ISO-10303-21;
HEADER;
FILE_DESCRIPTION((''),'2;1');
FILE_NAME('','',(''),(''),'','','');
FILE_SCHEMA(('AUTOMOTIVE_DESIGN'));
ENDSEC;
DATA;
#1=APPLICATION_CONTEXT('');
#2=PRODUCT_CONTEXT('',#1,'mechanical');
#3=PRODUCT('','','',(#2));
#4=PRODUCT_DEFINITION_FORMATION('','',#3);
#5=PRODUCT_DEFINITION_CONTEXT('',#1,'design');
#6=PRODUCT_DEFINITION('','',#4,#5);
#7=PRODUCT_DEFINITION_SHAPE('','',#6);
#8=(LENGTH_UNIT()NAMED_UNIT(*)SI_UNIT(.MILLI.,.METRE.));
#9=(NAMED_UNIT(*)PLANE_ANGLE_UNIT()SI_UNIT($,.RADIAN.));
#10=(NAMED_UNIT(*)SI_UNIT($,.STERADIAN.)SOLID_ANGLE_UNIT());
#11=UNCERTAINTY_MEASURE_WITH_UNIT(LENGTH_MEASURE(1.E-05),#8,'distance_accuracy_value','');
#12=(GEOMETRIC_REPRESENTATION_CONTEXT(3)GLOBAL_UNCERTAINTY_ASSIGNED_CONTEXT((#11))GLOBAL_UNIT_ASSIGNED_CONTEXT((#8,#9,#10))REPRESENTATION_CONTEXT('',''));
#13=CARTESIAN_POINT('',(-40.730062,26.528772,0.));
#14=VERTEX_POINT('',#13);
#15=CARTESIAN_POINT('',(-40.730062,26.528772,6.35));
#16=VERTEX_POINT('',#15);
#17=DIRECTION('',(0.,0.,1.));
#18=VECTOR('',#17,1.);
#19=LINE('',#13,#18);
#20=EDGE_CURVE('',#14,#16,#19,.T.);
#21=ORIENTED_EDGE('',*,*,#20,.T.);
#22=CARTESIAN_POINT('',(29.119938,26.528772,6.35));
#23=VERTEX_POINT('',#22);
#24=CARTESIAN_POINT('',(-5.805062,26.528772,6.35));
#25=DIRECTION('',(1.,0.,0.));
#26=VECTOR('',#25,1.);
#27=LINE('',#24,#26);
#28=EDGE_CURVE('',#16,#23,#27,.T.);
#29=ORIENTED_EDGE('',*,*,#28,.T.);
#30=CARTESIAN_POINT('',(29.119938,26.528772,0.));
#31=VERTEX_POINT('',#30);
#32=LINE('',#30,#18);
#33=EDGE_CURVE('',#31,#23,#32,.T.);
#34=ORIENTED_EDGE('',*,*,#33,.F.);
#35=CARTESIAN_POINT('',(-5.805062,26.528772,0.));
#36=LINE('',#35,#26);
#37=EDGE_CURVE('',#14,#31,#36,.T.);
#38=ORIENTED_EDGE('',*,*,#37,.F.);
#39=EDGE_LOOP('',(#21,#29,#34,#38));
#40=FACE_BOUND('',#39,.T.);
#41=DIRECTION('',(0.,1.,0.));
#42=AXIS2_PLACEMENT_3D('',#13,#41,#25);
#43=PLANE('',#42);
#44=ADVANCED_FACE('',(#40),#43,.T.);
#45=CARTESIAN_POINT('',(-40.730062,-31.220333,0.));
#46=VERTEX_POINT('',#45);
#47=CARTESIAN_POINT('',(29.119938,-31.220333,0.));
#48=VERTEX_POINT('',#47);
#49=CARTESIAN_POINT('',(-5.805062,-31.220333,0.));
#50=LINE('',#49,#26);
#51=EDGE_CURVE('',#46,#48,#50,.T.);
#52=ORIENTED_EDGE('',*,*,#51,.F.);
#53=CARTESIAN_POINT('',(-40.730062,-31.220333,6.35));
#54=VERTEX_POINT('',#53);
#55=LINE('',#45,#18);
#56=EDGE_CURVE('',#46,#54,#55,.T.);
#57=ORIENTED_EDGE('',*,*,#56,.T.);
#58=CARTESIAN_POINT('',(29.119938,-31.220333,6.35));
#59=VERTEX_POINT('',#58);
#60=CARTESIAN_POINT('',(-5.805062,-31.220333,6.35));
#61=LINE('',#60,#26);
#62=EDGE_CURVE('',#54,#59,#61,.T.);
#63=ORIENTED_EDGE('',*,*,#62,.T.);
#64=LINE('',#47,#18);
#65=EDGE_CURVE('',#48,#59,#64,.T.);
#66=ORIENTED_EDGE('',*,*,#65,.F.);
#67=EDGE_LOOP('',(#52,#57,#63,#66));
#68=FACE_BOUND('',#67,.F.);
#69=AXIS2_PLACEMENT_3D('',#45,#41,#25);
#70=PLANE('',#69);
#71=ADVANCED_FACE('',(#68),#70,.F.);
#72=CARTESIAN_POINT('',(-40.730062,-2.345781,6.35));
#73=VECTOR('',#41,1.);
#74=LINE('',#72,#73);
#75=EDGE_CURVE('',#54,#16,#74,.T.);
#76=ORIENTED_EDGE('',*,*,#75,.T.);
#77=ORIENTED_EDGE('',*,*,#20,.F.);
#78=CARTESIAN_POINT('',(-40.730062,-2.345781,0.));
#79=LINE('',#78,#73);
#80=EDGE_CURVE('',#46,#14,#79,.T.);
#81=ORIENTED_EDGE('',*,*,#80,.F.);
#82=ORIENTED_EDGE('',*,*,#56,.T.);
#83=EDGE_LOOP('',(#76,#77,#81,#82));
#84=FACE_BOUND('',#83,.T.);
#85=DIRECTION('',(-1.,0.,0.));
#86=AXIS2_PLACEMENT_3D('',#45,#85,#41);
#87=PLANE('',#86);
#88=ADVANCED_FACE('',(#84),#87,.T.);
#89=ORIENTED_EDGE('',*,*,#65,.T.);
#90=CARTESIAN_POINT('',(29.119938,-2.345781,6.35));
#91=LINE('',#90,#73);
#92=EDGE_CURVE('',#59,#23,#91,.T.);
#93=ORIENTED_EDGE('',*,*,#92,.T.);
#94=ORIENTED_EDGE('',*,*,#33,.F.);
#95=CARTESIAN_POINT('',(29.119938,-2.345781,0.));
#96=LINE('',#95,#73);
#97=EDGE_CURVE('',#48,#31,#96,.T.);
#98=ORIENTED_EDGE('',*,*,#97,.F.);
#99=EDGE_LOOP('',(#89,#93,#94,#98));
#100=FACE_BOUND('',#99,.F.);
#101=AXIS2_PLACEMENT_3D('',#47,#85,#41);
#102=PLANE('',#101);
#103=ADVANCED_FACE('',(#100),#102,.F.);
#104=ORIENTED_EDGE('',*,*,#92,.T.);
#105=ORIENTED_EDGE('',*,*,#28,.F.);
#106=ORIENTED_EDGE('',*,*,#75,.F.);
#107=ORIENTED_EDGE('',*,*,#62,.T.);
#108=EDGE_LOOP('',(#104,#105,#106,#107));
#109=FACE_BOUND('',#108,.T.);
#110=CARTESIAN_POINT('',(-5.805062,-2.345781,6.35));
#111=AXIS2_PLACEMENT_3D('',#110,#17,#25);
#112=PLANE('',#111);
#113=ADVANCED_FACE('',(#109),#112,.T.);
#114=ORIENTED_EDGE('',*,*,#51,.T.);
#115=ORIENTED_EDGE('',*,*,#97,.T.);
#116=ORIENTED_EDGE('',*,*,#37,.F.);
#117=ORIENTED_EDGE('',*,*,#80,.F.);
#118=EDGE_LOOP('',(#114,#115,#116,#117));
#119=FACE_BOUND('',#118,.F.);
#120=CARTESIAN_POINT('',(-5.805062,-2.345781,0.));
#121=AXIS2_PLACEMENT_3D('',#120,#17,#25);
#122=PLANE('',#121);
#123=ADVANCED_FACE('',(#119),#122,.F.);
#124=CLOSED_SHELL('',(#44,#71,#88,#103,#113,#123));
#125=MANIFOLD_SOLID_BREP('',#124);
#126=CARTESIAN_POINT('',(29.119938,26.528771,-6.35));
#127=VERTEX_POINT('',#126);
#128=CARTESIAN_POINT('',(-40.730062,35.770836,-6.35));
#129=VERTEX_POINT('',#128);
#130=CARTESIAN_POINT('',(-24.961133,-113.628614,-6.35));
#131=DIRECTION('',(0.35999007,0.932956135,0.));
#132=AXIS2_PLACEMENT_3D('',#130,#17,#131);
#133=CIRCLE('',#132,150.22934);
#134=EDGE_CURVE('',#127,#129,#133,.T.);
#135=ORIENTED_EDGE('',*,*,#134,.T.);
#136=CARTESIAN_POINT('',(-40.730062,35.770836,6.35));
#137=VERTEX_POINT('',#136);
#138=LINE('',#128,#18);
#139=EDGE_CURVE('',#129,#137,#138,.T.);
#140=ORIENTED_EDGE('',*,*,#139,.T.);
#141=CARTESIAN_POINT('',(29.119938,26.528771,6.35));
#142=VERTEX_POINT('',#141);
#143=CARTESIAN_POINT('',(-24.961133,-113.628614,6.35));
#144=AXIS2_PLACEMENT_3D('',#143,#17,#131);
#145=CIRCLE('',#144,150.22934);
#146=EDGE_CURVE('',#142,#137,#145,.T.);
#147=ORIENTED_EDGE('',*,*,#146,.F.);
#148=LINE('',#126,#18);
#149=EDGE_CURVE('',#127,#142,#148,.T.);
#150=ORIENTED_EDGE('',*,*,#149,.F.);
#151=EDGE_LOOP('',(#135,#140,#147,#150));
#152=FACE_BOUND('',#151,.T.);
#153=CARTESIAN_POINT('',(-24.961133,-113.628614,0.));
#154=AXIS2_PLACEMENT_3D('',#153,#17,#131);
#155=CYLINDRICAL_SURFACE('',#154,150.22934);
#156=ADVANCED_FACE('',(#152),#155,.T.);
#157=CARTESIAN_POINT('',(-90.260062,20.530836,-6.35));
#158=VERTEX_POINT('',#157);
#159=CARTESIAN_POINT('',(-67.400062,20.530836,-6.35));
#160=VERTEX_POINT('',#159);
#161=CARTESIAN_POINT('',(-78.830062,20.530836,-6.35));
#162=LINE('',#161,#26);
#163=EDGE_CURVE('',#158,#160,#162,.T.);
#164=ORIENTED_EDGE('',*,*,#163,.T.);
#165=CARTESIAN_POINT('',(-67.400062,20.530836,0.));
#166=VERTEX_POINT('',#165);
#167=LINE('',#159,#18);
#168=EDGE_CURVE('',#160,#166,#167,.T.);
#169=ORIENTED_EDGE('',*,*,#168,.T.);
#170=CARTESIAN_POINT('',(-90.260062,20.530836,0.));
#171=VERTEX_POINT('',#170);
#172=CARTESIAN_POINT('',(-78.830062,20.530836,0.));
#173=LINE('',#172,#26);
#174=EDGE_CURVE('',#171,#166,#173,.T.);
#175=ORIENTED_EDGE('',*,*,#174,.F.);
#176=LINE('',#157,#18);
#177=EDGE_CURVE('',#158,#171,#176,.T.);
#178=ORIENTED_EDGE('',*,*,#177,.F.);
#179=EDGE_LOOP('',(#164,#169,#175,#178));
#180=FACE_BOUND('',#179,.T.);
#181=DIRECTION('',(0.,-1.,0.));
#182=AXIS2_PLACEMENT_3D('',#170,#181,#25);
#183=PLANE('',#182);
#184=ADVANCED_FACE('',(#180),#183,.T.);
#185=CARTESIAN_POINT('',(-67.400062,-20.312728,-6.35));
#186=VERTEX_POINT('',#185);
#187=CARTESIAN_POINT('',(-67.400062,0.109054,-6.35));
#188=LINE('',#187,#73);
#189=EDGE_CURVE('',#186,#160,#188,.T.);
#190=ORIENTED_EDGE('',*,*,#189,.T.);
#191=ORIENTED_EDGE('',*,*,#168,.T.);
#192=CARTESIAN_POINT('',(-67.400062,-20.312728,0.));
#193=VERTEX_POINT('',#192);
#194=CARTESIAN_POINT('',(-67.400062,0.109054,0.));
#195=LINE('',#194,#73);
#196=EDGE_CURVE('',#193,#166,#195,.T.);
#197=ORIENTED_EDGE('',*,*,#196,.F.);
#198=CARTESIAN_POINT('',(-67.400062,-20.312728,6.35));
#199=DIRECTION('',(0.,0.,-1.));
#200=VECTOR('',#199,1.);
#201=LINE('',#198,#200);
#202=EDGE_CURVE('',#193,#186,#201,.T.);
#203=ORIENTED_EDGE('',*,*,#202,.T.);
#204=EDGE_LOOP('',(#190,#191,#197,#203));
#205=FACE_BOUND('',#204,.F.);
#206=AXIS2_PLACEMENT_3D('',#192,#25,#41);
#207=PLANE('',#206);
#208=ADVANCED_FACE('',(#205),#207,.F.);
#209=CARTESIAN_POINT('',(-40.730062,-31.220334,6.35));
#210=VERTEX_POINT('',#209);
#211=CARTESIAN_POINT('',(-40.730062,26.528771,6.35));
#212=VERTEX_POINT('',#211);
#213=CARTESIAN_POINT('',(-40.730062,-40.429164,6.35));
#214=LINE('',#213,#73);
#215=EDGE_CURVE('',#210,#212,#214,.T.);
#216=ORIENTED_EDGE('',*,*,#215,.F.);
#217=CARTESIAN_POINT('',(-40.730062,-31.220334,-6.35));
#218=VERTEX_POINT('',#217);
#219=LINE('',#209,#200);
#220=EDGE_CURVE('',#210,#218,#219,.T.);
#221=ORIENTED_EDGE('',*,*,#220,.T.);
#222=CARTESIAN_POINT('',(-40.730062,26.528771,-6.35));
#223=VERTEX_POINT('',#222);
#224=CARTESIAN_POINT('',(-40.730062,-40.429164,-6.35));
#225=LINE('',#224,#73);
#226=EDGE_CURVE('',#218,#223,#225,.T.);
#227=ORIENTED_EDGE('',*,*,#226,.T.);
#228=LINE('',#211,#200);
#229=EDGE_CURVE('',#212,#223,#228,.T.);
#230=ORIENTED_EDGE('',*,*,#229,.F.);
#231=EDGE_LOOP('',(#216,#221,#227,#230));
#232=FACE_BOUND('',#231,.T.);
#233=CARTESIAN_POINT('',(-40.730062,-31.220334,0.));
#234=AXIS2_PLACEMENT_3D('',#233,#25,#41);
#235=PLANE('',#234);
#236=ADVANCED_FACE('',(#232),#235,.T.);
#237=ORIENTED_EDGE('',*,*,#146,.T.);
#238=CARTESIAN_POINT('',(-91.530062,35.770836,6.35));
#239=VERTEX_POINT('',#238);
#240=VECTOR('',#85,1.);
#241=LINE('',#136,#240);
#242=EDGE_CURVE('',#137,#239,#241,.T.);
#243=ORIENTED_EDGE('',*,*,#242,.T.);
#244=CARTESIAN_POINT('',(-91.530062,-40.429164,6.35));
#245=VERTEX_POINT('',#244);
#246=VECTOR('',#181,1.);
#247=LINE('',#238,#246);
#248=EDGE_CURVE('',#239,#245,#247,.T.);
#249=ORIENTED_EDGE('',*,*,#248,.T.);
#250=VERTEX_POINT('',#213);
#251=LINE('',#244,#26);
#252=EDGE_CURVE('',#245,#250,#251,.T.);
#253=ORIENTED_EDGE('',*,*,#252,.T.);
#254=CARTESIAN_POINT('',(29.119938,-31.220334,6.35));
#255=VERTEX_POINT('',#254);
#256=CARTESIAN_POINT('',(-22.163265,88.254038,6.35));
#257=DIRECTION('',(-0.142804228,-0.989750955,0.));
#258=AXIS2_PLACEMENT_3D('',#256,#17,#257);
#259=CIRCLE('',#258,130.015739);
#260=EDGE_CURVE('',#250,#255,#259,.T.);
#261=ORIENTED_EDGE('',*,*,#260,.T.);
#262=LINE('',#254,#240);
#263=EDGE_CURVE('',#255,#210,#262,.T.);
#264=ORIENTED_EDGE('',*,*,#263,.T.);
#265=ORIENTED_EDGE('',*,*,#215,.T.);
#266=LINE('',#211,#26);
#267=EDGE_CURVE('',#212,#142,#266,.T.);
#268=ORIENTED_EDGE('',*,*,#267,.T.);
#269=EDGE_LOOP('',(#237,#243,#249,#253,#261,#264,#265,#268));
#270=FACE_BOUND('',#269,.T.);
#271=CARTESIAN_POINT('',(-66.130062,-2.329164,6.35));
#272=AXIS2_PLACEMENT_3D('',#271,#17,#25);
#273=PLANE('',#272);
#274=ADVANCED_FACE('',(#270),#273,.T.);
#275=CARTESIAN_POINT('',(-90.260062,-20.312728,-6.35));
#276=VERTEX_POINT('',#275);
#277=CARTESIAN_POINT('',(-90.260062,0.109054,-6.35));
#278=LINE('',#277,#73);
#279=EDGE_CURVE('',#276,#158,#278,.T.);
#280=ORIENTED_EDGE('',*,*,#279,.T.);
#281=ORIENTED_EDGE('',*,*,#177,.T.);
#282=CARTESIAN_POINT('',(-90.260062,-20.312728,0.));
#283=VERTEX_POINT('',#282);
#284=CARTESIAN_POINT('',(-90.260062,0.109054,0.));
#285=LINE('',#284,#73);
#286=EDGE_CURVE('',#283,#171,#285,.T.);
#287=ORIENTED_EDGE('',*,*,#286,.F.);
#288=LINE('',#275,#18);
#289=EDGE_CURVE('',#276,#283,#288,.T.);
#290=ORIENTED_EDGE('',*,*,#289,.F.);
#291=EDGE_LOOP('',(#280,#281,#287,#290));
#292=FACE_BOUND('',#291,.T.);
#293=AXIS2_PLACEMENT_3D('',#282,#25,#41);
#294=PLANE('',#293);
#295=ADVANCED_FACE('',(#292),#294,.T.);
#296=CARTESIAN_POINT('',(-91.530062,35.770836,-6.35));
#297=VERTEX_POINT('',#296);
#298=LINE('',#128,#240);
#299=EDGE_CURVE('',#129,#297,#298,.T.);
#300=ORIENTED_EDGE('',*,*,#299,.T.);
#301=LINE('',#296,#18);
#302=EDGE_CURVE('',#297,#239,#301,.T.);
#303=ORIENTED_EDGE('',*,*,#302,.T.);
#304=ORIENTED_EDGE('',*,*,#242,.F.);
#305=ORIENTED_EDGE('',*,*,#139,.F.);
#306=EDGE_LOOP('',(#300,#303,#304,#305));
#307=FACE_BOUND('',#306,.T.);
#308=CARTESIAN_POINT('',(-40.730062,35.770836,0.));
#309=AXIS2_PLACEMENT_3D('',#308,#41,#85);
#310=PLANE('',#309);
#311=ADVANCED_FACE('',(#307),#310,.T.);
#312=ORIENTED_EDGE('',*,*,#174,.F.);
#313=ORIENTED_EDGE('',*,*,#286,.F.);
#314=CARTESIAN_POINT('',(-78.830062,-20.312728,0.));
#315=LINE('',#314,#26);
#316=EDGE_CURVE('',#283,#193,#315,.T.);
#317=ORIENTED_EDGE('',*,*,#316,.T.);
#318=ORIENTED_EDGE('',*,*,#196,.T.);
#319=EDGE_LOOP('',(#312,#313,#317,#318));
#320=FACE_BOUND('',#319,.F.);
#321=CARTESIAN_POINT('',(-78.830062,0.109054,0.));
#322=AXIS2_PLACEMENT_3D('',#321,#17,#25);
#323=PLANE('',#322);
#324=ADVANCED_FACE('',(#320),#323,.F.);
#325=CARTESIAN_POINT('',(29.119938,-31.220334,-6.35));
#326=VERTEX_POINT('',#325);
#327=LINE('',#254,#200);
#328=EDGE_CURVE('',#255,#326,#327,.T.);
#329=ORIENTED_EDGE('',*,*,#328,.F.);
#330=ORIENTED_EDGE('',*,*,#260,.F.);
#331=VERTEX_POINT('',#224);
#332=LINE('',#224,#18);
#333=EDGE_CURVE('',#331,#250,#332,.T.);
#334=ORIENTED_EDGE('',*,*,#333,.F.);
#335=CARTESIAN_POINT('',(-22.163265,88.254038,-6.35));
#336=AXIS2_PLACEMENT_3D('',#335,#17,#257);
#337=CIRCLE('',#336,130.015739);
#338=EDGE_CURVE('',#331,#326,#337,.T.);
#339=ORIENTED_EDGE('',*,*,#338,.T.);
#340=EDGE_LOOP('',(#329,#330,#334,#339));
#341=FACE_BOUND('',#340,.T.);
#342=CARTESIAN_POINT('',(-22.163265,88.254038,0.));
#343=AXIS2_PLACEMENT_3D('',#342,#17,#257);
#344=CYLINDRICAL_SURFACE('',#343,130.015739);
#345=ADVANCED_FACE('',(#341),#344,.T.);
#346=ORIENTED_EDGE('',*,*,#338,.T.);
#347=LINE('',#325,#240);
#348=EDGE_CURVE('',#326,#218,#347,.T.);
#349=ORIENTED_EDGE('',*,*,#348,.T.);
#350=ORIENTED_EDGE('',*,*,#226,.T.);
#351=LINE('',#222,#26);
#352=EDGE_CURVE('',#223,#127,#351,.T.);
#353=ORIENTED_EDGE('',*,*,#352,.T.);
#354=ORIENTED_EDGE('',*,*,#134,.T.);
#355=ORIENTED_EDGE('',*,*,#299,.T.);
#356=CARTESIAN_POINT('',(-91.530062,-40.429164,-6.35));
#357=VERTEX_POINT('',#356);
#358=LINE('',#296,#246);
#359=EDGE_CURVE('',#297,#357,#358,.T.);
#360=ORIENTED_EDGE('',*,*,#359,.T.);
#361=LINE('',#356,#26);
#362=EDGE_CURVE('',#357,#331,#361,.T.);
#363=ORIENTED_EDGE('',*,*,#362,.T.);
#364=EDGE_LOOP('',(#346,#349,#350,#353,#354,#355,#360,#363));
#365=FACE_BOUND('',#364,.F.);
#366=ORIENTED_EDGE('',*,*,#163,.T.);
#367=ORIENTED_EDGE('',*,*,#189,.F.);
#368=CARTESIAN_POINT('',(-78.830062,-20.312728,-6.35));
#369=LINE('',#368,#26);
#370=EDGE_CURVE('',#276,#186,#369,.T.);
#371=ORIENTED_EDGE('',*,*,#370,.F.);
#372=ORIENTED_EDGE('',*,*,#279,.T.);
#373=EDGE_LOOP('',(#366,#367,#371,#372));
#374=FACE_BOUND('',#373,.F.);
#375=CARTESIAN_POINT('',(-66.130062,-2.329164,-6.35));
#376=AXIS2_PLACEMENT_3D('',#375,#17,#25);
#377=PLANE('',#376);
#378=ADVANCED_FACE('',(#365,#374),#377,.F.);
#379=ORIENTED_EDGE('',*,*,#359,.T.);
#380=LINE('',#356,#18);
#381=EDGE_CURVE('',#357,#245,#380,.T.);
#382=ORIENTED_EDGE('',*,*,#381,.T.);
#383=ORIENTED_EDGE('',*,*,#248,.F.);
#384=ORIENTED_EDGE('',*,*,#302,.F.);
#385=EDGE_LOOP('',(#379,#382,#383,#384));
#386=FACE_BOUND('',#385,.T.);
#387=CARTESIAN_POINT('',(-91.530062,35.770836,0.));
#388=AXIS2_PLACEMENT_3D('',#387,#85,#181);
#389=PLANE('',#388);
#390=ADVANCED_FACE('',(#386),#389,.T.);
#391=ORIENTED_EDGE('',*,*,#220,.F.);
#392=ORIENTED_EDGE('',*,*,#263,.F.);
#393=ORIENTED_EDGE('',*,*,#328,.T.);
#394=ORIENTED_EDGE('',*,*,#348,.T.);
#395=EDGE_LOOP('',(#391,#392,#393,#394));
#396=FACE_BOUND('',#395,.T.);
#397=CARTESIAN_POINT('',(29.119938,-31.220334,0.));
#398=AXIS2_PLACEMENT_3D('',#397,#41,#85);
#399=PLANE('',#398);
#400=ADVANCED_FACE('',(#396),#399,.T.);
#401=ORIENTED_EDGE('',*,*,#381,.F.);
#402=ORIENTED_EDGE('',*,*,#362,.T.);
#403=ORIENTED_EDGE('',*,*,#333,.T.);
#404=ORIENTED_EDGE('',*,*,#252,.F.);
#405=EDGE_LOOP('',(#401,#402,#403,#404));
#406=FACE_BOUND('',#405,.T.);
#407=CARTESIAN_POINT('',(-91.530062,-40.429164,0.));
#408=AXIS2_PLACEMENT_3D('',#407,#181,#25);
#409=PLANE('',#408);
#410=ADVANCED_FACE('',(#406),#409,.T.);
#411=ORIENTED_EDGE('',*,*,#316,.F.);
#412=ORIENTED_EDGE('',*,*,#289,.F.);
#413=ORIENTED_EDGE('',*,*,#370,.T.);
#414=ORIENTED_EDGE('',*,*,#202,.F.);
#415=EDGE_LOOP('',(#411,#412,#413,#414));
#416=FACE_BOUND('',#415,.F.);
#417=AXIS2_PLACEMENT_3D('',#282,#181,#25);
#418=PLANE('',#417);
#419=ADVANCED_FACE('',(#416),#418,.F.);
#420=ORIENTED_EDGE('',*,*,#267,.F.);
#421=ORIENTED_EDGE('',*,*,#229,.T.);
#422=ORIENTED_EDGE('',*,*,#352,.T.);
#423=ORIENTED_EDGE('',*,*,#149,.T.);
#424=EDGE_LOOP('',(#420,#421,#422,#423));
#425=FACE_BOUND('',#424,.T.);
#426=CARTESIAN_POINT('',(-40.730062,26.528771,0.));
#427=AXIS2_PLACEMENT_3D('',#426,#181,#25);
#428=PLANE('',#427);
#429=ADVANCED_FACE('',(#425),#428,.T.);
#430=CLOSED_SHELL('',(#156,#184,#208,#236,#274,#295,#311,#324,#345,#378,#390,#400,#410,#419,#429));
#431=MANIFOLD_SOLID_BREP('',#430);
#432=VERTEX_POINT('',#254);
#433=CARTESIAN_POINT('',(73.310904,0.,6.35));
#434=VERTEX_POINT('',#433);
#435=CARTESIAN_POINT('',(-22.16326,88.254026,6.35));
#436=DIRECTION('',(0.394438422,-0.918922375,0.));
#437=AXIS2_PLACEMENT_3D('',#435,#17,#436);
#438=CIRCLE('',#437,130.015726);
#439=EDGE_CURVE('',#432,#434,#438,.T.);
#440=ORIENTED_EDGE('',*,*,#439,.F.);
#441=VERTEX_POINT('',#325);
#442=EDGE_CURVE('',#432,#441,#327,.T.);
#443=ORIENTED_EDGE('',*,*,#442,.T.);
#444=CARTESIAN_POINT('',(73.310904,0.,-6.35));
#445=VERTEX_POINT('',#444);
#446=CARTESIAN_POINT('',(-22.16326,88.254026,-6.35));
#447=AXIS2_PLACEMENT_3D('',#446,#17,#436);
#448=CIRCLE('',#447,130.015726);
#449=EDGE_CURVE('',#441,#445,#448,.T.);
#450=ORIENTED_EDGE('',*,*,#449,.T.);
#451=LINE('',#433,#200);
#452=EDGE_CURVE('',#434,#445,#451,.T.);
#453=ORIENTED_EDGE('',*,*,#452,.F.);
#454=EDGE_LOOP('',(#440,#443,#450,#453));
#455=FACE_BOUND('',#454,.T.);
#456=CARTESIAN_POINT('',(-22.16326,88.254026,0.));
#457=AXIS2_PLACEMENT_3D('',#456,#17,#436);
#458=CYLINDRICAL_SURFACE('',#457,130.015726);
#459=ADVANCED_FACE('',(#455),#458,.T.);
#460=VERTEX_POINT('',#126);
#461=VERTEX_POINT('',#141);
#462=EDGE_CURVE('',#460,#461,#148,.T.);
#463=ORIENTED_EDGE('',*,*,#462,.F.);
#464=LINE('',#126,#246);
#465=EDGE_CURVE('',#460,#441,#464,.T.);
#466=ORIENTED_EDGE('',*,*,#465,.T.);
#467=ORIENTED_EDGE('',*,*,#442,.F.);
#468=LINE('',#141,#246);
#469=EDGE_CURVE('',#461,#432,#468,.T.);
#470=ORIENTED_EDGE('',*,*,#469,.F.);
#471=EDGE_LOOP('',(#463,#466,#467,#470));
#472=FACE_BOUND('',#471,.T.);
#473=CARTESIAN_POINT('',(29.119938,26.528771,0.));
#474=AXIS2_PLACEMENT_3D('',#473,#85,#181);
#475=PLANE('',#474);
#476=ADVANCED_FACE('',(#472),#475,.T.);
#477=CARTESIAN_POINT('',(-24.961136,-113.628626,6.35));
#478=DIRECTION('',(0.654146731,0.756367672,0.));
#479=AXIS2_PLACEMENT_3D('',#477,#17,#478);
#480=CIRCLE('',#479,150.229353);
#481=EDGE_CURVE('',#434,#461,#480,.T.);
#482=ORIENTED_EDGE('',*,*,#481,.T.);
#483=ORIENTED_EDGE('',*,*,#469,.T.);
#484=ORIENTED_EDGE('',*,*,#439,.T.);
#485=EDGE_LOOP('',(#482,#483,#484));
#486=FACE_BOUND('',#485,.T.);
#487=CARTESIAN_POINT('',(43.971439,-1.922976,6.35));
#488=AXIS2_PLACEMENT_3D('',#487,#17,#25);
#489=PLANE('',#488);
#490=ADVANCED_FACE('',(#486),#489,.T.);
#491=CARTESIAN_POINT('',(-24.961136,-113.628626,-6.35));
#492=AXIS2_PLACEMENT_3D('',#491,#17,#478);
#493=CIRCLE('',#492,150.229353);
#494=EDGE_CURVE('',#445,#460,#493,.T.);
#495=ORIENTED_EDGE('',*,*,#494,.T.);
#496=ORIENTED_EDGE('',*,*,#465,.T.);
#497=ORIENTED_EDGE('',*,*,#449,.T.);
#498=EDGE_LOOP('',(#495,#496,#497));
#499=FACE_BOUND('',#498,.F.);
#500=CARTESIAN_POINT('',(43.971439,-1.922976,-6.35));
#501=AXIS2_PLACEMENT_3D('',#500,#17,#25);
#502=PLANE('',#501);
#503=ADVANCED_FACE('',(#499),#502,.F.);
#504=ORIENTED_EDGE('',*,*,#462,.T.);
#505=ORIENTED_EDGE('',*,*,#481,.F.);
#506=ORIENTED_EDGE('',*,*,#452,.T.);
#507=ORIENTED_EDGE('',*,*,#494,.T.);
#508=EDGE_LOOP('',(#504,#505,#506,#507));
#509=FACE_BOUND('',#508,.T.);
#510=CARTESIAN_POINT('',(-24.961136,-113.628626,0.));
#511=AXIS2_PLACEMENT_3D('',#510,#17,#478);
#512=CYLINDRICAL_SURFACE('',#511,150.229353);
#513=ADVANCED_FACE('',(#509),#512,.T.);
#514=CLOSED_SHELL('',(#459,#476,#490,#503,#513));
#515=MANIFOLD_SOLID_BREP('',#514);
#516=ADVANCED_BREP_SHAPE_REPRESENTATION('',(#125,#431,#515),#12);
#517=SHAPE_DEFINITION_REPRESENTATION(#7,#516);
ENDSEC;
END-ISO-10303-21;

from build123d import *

# Parameters (mm, degrees)
F0_W     = 22.86
F0_H     = 40.843565
F1_DEPTH = 6.35
F2_DEPTH = 6.35
F0_W_2   = 69.85
F0_H_2   = 57.749105
F3_DEPTH = 6.35


with BuildPart() as f1:
    # F0 (on Top) → F1 (new body, symmetric)
    with BuildSketch(Plane.XY):
        Polygon((-40.730062, 35.770836), (-91.530062, 35.770836), (-91.530062, -40.429164), (-40.730062, -40.429164), (-40.730062, -31.220334), (-40.730062, 26.528771), align=None)
        with Locations((-78.830062, 0.109054)):
            Rectangle(F0_W, F0_H, mode=Mode.SUBTRACT)
        with BuildLine():
            ThreePointArc((29.119938, 26.528771), (-5.255576, 35.302732), (-40.730062, 35.770836))
            Line((-40.730062, 35.770836), (-40.730062, 26.528771))
            Line((-40.730062, 26.528771), (29.119938, 26.528771))
        make_face()
        with BuildLine():
            ThreePointArc((73.310904, 0), (52.361641, 15.173729), (29.119938, 26.528771))
            Line((29.119938, 26.528771), (29.119938, -31.220334))
            ThreePointArc((29.119938, -31.220334), (52.857458, -17.934396), (73.310904, 0))
        make_face()
        with BuildLine():
            Line((-40.730062, -31.220334), (-40.730062, -40.429164))
            ThreePointArc((-40.730062, -40.429164), (-5.1694, -40.646315), (29.119938, -31.220334))
            Line((29.119938, -31.220334), (-40.730062, -31.220334))
        make_face()
    extrude(amount=F1_DEPTH, both=True)

    # F0 (on Top) → F2 (join)
    with BuildSketch(Plane.XY):
        with Locations((-78.830062, 0.109054)):
            Rectangle(F0_W, F0_H)
    extrude(amount=F2_DEPTH)


with BuildPart() as f3:
    # F0 (on Top) → F3 (new body)
    with BuildSketch(Plane.XY):
        with Locations((-5.805062, -2.345781)):
            Rectangle(F0_W_2, F0_H_2)
    extrude(amount=F3_DEPTH)


solid = Compound([f1.part, f3.part])
